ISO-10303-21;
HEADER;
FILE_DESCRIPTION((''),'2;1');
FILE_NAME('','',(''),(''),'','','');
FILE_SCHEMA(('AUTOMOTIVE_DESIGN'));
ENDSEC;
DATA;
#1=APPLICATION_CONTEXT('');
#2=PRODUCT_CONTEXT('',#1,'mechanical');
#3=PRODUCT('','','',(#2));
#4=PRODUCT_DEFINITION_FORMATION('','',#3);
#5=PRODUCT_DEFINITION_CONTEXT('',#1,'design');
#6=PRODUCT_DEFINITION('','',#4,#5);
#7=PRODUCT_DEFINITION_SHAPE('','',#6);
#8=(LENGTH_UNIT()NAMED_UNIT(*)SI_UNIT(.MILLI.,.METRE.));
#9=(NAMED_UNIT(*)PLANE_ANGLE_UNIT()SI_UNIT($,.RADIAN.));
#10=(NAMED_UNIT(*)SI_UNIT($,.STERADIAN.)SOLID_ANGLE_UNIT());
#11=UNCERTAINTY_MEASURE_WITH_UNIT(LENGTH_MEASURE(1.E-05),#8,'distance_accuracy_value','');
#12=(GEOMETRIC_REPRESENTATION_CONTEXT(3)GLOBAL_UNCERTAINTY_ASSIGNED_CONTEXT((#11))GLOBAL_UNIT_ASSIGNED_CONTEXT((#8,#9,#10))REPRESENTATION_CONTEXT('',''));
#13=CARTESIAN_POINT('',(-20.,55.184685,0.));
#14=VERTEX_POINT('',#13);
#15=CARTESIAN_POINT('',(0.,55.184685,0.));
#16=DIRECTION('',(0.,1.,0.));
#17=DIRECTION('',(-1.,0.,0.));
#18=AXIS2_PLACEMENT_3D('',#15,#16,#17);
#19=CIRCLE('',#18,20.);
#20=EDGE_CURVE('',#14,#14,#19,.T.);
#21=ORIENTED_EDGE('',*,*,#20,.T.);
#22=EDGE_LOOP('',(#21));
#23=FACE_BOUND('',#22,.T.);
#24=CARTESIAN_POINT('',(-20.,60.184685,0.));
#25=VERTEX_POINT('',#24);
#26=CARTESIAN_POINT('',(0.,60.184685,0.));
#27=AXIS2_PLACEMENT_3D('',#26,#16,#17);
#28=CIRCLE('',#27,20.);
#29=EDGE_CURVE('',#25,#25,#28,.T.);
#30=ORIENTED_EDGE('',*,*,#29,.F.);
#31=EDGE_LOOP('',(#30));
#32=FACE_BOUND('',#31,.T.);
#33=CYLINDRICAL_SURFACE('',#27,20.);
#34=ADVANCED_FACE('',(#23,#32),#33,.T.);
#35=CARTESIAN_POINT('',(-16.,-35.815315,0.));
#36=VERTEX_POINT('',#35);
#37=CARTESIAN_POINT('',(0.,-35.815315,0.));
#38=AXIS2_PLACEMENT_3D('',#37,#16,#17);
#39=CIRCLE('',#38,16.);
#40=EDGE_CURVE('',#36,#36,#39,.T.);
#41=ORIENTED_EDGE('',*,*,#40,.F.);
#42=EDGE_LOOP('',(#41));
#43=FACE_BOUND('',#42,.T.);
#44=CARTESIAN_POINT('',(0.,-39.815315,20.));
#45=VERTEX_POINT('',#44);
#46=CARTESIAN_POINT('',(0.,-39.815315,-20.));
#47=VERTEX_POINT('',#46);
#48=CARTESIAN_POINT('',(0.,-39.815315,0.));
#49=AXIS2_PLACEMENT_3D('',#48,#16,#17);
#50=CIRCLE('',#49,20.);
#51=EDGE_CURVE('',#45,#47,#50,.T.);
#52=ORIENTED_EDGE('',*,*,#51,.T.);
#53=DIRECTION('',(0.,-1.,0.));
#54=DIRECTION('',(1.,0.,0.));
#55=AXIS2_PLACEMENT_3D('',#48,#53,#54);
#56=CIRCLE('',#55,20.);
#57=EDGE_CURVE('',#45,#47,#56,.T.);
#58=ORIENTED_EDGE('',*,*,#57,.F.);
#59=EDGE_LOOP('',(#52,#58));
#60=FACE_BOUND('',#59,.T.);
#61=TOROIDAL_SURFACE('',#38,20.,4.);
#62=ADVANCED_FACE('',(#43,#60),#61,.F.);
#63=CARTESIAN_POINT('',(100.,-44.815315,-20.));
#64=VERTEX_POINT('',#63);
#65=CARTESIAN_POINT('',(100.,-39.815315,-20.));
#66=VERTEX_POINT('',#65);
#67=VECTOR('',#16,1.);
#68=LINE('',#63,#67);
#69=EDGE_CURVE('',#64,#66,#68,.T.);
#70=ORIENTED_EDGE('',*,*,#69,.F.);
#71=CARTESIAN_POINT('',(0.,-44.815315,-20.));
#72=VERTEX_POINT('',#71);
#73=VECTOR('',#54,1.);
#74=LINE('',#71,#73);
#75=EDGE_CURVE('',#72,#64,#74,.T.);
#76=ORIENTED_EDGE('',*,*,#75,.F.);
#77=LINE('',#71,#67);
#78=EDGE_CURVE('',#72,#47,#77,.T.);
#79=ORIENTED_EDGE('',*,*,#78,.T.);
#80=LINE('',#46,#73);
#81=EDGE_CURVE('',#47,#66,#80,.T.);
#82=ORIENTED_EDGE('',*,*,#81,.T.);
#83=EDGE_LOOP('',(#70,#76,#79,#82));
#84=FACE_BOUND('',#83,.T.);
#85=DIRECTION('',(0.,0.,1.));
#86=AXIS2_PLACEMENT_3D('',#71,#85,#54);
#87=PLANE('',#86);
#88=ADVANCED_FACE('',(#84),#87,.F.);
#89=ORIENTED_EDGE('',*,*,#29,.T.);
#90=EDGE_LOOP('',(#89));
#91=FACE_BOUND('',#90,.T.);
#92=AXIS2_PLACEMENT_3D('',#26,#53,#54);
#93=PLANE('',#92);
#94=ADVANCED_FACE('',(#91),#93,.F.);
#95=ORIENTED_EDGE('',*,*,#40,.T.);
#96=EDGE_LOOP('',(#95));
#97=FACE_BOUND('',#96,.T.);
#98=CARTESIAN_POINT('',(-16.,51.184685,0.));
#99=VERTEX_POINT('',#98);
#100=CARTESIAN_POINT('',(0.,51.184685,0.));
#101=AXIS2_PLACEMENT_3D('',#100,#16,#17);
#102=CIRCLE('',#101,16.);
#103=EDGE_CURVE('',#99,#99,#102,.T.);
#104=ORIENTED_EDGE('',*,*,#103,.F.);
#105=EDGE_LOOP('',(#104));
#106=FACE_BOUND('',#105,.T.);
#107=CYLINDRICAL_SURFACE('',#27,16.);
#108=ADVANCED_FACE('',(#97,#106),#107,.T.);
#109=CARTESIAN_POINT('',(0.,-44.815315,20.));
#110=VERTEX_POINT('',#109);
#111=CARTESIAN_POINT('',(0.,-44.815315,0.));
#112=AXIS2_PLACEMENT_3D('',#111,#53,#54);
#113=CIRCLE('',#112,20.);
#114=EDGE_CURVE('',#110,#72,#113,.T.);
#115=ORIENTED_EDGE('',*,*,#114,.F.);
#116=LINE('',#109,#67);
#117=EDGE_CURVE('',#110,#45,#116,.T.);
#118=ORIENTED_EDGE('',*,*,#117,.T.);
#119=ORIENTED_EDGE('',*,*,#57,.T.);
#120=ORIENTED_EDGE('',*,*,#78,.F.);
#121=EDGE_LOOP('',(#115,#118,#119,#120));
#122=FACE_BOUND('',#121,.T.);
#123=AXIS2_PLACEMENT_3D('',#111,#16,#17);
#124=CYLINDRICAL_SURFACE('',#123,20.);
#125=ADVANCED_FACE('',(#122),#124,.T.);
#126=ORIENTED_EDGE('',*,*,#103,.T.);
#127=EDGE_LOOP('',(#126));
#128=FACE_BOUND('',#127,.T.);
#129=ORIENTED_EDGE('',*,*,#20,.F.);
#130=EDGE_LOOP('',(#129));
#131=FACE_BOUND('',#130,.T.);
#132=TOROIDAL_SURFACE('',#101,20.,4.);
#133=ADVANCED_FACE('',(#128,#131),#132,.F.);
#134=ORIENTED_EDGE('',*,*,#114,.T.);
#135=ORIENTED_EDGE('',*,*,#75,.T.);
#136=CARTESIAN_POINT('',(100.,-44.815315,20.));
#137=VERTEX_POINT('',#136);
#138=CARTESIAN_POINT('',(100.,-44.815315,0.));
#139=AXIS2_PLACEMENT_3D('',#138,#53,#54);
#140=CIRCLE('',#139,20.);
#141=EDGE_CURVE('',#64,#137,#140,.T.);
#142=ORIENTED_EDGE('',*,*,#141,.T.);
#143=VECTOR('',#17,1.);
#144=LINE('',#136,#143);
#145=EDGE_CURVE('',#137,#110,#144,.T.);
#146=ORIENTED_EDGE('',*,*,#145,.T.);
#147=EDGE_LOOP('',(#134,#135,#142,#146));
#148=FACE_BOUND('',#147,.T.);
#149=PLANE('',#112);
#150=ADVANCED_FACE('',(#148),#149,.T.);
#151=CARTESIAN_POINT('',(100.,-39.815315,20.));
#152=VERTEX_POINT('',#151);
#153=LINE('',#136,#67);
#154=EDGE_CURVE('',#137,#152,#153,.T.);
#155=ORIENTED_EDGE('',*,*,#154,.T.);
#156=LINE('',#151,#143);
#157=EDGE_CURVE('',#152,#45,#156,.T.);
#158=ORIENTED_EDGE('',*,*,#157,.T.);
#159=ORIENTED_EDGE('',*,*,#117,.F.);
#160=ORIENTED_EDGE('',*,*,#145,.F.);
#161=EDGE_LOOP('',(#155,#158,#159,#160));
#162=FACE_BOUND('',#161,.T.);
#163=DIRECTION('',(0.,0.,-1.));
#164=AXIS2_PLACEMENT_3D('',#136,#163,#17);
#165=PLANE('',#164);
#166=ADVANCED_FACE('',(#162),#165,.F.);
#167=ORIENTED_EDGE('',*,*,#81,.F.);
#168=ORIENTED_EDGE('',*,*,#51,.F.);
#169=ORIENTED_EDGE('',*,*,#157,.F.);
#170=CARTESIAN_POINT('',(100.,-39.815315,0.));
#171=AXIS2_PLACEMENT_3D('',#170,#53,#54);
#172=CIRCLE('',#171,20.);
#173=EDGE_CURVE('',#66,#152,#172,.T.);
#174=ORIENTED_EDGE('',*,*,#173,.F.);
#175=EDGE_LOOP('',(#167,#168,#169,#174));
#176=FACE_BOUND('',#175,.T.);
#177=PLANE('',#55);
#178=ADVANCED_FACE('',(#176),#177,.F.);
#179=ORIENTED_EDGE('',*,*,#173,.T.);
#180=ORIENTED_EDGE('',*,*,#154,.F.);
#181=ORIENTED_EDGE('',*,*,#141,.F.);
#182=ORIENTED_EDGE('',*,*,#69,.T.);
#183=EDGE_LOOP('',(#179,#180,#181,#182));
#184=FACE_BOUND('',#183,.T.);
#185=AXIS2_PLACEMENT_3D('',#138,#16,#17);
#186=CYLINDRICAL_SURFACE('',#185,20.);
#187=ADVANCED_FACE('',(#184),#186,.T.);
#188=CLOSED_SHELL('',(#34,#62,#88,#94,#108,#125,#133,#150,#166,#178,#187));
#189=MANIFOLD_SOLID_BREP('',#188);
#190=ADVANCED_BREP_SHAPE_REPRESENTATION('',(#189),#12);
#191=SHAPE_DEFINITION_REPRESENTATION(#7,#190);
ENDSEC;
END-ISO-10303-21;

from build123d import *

# Parameters (mm, degrees)
EXTRUDE_1_DEPTH = 5


with BuildPart() as part:
    # 草图1 → 旋转1 (revolve)
    with BuildSketch(Plane.XY):
        with BuildLine():
            Line((0, 60.184685033), (0, -39.815314967))
            Line((0, -39.815314967), (20, -39.815314967))
            ThreePointArc((20, -39.815314967), (17.171572875, -38.643742092), (16, -35.815314967))
            Line((16, -35.815314967), (16, 51.184685033))
            ThreePointArc((16, 51.184685033), (17.171572875, 54.013112157), (20, 55.184685033))
            Line((20, 55.184685033), (20, 60.184685033))
            Line((20, 60.184685033), (0, 60.184685033))
        make_face()
    revolve(axis=Axis((0, 60.184685033, 0), (0, -1, 0)))

    # 草图2 → 凸台-拉伸1 (add)
    with BuildSketch(Plane.XZ.offset(39.815314967)):
        with BuildLine():
            Line((0, -20), (100, -20))
            ThreePointArc((100, -20), (120, 0), (100, 20))
            Line((100, 20), (0, 20))
            ThreePointArc((0, 20), (-20, 0), (0, -20))
        make_face()
    extrude(amount=EXTRUDE_1_DEPTH)


solid = part.part
